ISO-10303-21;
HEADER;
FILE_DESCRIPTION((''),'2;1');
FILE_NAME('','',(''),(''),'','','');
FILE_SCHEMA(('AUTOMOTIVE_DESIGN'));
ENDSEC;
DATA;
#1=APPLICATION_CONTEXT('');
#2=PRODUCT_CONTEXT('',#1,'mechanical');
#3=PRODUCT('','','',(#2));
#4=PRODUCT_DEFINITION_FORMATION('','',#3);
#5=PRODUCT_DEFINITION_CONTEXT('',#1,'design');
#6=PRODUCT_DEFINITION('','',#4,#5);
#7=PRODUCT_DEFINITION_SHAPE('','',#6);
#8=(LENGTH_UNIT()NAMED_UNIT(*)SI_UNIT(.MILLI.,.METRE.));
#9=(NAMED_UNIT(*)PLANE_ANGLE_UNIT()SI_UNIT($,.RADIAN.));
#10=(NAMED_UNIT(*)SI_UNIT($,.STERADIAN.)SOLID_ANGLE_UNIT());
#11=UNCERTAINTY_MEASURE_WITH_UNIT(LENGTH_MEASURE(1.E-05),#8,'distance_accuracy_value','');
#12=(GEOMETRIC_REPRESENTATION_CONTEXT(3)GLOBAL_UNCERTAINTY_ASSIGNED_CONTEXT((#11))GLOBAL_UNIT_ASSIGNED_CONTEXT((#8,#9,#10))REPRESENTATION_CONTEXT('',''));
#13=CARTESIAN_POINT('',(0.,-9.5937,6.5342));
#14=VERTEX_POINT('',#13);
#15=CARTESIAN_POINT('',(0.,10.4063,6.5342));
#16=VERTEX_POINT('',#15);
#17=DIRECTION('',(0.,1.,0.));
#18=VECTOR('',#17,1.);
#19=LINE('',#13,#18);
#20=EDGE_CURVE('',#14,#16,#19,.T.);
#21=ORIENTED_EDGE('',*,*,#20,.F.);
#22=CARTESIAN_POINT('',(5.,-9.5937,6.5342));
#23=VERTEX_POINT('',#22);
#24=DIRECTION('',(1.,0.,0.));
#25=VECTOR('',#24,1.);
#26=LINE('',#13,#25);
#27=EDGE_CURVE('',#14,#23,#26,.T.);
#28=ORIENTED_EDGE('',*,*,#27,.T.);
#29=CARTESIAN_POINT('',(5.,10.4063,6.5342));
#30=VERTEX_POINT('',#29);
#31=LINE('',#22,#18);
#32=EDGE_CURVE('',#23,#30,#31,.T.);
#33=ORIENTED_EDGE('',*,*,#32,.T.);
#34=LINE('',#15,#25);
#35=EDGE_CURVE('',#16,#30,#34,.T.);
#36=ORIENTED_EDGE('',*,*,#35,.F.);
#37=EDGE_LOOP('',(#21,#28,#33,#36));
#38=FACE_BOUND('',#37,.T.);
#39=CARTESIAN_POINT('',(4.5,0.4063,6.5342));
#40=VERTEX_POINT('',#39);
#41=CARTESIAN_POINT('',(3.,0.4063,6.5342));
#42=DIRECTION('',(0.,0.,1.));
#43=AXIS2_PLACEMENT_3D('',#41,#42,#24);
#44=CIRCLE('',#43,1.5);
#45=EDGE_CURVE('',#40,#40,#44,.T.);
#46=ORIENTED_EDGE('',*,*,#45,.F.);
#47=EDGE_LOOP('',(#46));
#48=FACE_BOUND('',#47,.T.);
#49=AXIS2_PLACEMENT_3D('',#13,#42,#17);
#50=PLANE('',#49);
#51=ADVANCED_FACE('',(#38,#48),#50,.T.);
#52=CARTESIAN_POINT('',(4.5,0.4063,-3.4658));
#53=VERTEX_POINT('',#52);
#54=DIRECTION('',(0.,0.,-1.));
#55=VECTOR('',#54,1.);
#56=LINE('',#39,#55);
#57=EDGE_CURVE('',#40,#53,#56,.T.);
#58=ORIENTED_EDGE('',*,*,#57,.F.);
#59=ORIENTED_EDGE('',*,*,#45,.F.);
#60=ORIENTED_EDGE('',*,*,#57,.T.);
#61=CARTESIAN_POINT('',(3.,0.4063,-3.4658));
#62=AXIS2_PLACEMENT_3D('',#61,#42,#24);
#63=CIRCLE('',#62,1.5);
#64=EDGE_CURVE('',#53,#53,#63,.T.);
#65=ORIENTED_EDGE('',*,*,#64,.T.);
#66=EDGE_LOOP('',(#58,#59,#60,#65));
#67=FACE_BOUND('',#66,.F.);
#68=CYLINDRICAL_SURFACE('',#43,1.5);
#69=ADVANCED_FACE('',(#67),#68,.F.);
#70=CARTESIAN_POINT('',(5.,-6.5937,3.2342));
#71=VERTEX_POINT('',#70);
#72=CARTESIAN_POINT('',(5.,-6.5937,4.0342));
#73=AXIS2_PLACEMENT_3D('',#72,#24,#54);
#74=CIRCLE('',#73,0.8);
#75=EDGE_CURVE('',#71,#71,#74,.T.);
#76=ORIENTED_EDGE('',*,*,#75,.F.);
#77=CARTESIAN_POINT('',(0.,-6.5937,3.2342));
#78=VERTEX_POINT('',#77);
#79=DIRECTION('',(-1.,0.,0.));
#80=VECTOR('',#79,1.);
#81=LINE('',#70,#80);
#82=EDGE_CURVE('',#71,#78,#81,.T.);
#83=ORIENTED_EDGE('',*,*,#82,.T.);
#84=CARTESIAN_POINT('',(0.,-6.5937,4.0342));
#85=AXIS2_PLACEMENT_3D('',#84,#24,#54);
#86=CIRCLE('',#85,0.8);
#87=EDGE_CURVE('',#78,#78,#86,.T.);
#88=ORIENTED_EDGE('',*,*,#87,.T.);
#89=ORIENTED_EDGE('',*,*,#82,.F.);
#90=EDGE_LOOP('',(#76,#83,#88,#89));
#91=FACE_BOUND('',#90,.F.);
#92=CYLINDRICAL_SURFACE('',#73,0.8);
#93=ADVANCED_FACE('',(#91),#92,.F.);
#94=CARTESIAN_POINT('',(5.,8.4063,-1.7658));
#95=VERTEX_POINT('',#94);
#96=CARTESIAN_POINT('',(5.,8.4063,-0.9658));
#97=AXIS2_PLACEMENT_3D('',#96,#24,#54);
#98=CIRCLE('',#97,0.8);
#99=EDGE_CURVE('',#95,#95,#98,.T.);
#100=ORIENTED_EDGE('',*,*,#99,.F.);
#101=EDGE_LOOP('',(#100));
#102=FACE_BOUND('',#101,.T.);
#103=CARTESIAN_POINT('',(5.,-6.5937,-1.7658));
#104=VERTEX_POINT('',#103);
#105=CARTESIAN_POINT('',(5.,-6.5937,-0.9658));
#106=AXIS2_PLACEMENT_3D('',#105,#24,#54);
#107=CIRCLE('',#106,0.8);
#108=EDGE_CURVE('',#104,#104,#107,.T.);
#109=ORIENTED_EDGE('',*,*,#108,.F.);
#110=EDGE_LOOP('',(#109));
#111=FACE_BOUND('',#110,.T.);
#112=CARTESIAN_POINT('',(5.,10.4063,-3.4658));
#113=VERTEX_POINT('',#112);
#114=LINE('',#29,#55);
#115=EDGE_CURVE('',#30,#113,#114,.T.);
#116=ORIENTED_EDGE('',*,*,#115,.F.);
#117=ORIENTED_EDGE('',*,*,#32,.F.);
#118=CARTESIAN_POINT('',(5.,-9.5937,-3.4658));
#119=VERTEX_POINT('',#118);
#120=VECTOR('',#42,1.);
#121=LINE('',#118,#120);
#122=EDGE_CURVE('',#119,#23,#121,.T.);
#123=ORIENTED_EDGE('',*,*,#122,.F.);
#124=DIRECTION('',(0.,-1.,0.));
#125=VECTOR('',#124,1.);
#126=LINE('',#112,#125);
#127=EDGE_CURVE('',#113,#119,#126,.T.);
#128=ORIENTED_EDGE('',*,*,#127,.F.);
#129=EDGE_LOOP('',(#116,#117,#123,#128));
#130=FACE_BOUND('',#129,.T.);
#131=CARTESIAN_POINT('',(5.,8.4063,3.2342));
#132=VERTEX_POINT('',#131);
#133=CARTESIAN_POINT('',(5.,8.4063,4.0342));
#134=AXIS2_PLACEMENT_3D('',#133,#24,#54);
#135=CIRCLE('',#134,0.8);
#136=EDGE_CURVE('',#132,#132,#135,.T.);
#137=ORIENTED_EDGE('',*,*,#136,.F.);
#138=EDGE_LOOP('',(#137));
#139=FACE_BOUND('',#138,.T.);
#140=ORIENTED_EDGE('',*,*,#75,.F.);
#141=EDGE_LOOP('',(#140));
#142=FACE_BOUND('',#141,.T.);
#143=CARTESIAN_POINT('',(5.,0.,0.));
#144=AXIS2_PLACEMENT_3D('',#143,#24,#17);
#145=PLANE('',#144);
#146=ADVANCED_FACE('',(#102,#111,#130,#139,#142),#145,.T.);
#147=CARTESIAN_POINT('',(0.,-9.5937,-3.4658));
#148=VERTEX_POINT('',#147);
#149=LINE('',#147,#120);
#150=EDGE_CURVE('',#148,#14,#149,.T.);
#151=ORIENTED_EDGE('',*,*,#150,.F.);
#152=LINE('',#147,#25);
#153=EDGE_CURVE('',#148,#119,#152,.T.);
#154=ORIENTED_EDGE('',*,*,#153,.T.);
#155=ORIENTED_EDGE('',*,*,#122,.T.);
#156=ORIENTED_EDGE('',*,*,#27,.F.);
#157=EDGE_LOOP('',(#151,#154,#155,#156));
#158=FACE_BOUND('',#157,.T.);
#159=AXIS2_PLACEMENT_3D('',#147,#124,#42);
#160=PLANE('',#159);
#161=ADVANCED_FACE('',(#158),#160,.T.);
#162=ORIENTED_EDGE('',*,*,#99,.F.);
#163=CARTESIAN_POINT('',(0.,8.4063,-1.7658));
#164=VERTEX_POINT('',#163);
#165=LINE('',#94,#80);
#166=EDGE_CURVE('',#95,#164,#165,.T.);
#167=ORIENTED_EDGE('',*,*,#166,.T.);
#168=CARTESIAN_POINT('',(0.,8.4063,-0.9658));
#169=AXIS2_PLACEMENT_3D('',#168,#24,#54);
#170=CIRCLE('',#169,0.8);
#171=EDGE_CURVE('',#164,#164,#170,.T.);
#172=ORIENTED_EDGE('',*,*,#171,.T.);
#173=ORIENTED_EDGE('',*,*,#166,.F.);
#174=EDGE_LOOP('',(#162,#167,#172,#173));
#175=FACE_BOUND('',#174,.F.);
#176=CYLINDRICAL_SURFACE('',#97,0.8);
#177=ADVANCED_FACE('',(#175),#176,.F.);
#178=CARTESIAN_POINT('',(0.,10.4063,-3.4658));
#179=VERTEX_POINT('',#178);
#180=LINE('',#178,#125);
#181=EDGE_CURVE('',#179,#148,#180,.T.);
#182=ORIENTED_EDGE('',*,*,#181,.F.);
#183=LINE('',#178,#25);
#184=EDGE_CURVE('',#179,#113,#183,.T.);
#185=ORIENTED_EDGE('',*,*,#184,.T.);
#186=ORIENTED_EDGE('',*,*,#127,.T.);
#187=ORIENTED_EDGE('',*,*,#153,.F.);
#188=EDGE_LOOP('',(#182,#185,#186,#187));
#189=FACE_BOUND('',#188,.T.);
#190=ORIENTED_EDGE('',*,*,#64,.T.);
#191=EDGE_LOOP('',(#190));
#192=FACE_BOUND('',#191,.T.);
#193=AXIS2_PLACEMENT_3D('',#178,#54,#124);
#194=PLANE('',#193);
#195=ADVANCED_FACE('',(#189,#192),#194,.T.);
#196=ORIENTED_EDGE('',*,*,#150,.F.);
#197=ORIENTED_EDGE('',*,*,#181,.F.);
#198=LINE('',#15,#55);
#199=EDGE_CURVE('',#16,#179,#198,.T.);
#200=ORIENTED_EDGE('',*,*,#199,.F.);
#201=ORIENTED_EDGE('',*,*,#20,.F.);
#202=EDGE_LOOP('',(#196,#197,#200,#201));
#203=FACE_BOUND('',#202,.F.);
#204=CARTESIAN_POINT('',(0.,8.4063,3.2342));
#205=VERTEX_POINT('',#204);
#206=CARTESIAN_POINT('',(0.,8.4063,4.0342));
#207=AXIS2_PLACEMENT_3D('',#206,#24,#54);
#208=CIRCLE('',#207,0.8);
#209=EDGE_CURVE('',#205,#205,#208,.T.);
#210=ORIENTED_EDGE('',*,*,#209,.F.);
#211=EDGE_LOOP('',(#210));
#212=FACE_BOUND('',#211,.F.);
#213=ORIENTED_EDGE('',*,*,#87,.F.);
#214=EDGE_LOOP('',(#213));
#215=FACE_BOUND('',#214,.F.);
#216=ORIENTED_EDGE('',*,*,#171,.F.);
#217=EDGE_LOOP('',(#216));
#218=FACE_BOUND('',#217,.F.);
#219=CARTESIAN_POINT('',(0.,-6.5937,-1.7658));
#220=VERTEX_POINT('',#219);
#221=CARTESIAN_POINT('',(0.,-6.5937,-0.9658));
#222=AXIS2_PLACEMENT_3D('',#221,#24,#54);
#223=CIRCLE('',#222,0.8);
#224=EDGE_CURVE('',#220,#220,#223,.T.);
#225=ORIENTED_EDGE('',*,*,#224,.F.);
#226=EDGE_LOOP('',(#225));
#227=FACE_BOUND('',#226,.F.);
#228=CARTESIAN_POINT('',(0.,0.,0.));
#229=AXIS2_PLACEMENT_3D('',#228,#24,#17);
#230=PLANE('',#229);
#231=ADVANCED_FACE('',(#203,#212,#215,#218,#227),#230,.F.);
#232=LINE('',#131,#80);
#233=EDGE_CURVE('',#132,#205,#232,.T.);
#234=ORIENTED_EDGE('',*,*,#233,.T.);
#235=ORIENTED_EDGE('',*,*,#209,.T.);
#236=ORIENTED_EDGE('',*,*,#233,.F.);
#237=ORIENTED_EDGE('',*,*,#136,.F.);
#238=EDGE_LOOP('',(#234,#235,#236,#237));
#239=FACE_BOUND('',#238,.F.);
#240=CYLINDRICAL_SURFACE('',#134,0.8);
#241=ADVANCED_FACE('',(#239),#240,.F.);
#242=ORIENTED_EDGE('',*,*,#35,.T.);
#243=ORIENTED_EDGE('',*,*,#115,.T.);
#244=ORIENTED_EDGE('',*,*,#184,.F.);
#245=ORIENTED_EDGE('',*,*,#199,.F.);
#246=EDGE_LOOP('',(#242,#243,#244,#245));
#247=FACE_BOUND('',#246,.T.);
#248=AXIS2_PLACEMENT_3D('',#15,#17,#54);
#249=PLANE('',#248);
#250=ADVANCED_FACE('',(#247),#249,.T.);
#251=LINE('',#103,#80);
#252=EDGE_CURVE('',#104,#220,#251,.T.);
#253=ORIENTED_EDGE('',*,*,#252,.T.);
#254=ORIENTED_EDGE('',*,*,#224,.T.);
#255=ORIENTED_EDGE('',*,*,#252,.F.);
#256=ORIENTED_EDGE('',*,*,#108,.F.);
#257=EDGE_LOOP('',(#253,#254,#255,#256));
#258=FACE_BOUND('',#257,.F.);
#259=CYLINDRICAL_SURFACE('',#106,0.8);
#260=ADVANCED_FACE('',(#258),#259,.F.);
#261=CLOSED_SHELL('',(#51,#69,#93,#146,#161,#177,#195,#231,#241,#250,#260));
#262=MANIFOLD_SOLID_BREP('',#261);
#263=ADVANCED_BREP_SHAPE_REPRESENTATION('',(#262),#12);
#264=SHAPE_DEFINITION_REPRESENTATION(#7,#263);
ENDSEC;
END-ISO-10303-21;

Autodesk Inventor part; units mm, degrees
ref_plane "YZ Plane" through (0, 0, 0) normal (1, 0, 0) x (0, 1, 0)
ref_plane "XZ Plane" through (0, 0, 0) normal (0, 1, 0) x (-1, 0, 0)
ref_plane "XY Plane" through (0, 0, 0) normal (0, 0, 1) x (1, 0, 0)
sketch "Sketch1" plane through (0, 0, 0) normal (1, 0, 0) x (0, 1, 0)
  line L0 (-9.5937, 6.5342) -> (10.4063, 6.5342)
  line L1 (10.4063, 6.5342) -> (10.4063, -3.4658)
  line L2 (10.4063, -3.4658) -> (-9.5937, -3.4658)
  line L3 (-9.5937, -3.4658) -> (-9.5937, 6.5342)
  point P0 (0, 0)
  dimension "d0" = 20
  dimension "d1" = 10
extrude "Extrusion1" add sketch "Sketch1" along normal blind 5
sketch "Sketch2" plane through (0, -9.5937, 6.5342) normal (0, 0, 1) x (1, 0, 0)
  circle A0 centre (3, 10) radius 1.5
  line L0 (5, 20) -> (5, 0) projected
  line L1 (0, 20) -> (5, 20) projected
  point P0 (0, 9.5937)
  dimension "d4" = 3
  dimension "d5" = 2
  dimension "d6" = 10
extrude "Extrusion2" cut sketch "Sketch2" against normal through all
sketch "Sketch3" plane through (5, 0, 0) normal (1, 0, 0) x (0, 0, -1)
  circle A0 centre (-4.0342, -6.5937) radius 0.8
  circle A1 centre (0.9658, -6.5937) radius 0.8
  circle A2 centre (-4.0342, 8.4063) radius 0.8
  circle A3 centre (0.9658, 8.4063) radius 0.8
  line L0 (-6.5342, 10.4063) -> (-6.5342, -9.5937) projected
  line L1 (3.4658, -9.5937) -> (3.4658, 10.4063) projected
  line L2 (-6.5342, -9.5937) -> (3.4658, -9.5937) projected
  point P0 (0, 0)
  dimension "d9" = 1.6
  dimension "d11" = 1.6
  dimension "d12" = 1.6
  dimension "d13" = 1.6
  dimension "d14" = 2.5
  dimension "d15" = 2.5
  dimension "d16" = 3
  dimension "d17" = 3
  dimension "d18" = 15
  dimension "d19" = 15
  dimension "d20" = 2.5
  dimension "d21" = 2.5
extrude "Extrusion3" cut sketch "Sketch3" against normal through all
properties part number "z_shaft_block"
